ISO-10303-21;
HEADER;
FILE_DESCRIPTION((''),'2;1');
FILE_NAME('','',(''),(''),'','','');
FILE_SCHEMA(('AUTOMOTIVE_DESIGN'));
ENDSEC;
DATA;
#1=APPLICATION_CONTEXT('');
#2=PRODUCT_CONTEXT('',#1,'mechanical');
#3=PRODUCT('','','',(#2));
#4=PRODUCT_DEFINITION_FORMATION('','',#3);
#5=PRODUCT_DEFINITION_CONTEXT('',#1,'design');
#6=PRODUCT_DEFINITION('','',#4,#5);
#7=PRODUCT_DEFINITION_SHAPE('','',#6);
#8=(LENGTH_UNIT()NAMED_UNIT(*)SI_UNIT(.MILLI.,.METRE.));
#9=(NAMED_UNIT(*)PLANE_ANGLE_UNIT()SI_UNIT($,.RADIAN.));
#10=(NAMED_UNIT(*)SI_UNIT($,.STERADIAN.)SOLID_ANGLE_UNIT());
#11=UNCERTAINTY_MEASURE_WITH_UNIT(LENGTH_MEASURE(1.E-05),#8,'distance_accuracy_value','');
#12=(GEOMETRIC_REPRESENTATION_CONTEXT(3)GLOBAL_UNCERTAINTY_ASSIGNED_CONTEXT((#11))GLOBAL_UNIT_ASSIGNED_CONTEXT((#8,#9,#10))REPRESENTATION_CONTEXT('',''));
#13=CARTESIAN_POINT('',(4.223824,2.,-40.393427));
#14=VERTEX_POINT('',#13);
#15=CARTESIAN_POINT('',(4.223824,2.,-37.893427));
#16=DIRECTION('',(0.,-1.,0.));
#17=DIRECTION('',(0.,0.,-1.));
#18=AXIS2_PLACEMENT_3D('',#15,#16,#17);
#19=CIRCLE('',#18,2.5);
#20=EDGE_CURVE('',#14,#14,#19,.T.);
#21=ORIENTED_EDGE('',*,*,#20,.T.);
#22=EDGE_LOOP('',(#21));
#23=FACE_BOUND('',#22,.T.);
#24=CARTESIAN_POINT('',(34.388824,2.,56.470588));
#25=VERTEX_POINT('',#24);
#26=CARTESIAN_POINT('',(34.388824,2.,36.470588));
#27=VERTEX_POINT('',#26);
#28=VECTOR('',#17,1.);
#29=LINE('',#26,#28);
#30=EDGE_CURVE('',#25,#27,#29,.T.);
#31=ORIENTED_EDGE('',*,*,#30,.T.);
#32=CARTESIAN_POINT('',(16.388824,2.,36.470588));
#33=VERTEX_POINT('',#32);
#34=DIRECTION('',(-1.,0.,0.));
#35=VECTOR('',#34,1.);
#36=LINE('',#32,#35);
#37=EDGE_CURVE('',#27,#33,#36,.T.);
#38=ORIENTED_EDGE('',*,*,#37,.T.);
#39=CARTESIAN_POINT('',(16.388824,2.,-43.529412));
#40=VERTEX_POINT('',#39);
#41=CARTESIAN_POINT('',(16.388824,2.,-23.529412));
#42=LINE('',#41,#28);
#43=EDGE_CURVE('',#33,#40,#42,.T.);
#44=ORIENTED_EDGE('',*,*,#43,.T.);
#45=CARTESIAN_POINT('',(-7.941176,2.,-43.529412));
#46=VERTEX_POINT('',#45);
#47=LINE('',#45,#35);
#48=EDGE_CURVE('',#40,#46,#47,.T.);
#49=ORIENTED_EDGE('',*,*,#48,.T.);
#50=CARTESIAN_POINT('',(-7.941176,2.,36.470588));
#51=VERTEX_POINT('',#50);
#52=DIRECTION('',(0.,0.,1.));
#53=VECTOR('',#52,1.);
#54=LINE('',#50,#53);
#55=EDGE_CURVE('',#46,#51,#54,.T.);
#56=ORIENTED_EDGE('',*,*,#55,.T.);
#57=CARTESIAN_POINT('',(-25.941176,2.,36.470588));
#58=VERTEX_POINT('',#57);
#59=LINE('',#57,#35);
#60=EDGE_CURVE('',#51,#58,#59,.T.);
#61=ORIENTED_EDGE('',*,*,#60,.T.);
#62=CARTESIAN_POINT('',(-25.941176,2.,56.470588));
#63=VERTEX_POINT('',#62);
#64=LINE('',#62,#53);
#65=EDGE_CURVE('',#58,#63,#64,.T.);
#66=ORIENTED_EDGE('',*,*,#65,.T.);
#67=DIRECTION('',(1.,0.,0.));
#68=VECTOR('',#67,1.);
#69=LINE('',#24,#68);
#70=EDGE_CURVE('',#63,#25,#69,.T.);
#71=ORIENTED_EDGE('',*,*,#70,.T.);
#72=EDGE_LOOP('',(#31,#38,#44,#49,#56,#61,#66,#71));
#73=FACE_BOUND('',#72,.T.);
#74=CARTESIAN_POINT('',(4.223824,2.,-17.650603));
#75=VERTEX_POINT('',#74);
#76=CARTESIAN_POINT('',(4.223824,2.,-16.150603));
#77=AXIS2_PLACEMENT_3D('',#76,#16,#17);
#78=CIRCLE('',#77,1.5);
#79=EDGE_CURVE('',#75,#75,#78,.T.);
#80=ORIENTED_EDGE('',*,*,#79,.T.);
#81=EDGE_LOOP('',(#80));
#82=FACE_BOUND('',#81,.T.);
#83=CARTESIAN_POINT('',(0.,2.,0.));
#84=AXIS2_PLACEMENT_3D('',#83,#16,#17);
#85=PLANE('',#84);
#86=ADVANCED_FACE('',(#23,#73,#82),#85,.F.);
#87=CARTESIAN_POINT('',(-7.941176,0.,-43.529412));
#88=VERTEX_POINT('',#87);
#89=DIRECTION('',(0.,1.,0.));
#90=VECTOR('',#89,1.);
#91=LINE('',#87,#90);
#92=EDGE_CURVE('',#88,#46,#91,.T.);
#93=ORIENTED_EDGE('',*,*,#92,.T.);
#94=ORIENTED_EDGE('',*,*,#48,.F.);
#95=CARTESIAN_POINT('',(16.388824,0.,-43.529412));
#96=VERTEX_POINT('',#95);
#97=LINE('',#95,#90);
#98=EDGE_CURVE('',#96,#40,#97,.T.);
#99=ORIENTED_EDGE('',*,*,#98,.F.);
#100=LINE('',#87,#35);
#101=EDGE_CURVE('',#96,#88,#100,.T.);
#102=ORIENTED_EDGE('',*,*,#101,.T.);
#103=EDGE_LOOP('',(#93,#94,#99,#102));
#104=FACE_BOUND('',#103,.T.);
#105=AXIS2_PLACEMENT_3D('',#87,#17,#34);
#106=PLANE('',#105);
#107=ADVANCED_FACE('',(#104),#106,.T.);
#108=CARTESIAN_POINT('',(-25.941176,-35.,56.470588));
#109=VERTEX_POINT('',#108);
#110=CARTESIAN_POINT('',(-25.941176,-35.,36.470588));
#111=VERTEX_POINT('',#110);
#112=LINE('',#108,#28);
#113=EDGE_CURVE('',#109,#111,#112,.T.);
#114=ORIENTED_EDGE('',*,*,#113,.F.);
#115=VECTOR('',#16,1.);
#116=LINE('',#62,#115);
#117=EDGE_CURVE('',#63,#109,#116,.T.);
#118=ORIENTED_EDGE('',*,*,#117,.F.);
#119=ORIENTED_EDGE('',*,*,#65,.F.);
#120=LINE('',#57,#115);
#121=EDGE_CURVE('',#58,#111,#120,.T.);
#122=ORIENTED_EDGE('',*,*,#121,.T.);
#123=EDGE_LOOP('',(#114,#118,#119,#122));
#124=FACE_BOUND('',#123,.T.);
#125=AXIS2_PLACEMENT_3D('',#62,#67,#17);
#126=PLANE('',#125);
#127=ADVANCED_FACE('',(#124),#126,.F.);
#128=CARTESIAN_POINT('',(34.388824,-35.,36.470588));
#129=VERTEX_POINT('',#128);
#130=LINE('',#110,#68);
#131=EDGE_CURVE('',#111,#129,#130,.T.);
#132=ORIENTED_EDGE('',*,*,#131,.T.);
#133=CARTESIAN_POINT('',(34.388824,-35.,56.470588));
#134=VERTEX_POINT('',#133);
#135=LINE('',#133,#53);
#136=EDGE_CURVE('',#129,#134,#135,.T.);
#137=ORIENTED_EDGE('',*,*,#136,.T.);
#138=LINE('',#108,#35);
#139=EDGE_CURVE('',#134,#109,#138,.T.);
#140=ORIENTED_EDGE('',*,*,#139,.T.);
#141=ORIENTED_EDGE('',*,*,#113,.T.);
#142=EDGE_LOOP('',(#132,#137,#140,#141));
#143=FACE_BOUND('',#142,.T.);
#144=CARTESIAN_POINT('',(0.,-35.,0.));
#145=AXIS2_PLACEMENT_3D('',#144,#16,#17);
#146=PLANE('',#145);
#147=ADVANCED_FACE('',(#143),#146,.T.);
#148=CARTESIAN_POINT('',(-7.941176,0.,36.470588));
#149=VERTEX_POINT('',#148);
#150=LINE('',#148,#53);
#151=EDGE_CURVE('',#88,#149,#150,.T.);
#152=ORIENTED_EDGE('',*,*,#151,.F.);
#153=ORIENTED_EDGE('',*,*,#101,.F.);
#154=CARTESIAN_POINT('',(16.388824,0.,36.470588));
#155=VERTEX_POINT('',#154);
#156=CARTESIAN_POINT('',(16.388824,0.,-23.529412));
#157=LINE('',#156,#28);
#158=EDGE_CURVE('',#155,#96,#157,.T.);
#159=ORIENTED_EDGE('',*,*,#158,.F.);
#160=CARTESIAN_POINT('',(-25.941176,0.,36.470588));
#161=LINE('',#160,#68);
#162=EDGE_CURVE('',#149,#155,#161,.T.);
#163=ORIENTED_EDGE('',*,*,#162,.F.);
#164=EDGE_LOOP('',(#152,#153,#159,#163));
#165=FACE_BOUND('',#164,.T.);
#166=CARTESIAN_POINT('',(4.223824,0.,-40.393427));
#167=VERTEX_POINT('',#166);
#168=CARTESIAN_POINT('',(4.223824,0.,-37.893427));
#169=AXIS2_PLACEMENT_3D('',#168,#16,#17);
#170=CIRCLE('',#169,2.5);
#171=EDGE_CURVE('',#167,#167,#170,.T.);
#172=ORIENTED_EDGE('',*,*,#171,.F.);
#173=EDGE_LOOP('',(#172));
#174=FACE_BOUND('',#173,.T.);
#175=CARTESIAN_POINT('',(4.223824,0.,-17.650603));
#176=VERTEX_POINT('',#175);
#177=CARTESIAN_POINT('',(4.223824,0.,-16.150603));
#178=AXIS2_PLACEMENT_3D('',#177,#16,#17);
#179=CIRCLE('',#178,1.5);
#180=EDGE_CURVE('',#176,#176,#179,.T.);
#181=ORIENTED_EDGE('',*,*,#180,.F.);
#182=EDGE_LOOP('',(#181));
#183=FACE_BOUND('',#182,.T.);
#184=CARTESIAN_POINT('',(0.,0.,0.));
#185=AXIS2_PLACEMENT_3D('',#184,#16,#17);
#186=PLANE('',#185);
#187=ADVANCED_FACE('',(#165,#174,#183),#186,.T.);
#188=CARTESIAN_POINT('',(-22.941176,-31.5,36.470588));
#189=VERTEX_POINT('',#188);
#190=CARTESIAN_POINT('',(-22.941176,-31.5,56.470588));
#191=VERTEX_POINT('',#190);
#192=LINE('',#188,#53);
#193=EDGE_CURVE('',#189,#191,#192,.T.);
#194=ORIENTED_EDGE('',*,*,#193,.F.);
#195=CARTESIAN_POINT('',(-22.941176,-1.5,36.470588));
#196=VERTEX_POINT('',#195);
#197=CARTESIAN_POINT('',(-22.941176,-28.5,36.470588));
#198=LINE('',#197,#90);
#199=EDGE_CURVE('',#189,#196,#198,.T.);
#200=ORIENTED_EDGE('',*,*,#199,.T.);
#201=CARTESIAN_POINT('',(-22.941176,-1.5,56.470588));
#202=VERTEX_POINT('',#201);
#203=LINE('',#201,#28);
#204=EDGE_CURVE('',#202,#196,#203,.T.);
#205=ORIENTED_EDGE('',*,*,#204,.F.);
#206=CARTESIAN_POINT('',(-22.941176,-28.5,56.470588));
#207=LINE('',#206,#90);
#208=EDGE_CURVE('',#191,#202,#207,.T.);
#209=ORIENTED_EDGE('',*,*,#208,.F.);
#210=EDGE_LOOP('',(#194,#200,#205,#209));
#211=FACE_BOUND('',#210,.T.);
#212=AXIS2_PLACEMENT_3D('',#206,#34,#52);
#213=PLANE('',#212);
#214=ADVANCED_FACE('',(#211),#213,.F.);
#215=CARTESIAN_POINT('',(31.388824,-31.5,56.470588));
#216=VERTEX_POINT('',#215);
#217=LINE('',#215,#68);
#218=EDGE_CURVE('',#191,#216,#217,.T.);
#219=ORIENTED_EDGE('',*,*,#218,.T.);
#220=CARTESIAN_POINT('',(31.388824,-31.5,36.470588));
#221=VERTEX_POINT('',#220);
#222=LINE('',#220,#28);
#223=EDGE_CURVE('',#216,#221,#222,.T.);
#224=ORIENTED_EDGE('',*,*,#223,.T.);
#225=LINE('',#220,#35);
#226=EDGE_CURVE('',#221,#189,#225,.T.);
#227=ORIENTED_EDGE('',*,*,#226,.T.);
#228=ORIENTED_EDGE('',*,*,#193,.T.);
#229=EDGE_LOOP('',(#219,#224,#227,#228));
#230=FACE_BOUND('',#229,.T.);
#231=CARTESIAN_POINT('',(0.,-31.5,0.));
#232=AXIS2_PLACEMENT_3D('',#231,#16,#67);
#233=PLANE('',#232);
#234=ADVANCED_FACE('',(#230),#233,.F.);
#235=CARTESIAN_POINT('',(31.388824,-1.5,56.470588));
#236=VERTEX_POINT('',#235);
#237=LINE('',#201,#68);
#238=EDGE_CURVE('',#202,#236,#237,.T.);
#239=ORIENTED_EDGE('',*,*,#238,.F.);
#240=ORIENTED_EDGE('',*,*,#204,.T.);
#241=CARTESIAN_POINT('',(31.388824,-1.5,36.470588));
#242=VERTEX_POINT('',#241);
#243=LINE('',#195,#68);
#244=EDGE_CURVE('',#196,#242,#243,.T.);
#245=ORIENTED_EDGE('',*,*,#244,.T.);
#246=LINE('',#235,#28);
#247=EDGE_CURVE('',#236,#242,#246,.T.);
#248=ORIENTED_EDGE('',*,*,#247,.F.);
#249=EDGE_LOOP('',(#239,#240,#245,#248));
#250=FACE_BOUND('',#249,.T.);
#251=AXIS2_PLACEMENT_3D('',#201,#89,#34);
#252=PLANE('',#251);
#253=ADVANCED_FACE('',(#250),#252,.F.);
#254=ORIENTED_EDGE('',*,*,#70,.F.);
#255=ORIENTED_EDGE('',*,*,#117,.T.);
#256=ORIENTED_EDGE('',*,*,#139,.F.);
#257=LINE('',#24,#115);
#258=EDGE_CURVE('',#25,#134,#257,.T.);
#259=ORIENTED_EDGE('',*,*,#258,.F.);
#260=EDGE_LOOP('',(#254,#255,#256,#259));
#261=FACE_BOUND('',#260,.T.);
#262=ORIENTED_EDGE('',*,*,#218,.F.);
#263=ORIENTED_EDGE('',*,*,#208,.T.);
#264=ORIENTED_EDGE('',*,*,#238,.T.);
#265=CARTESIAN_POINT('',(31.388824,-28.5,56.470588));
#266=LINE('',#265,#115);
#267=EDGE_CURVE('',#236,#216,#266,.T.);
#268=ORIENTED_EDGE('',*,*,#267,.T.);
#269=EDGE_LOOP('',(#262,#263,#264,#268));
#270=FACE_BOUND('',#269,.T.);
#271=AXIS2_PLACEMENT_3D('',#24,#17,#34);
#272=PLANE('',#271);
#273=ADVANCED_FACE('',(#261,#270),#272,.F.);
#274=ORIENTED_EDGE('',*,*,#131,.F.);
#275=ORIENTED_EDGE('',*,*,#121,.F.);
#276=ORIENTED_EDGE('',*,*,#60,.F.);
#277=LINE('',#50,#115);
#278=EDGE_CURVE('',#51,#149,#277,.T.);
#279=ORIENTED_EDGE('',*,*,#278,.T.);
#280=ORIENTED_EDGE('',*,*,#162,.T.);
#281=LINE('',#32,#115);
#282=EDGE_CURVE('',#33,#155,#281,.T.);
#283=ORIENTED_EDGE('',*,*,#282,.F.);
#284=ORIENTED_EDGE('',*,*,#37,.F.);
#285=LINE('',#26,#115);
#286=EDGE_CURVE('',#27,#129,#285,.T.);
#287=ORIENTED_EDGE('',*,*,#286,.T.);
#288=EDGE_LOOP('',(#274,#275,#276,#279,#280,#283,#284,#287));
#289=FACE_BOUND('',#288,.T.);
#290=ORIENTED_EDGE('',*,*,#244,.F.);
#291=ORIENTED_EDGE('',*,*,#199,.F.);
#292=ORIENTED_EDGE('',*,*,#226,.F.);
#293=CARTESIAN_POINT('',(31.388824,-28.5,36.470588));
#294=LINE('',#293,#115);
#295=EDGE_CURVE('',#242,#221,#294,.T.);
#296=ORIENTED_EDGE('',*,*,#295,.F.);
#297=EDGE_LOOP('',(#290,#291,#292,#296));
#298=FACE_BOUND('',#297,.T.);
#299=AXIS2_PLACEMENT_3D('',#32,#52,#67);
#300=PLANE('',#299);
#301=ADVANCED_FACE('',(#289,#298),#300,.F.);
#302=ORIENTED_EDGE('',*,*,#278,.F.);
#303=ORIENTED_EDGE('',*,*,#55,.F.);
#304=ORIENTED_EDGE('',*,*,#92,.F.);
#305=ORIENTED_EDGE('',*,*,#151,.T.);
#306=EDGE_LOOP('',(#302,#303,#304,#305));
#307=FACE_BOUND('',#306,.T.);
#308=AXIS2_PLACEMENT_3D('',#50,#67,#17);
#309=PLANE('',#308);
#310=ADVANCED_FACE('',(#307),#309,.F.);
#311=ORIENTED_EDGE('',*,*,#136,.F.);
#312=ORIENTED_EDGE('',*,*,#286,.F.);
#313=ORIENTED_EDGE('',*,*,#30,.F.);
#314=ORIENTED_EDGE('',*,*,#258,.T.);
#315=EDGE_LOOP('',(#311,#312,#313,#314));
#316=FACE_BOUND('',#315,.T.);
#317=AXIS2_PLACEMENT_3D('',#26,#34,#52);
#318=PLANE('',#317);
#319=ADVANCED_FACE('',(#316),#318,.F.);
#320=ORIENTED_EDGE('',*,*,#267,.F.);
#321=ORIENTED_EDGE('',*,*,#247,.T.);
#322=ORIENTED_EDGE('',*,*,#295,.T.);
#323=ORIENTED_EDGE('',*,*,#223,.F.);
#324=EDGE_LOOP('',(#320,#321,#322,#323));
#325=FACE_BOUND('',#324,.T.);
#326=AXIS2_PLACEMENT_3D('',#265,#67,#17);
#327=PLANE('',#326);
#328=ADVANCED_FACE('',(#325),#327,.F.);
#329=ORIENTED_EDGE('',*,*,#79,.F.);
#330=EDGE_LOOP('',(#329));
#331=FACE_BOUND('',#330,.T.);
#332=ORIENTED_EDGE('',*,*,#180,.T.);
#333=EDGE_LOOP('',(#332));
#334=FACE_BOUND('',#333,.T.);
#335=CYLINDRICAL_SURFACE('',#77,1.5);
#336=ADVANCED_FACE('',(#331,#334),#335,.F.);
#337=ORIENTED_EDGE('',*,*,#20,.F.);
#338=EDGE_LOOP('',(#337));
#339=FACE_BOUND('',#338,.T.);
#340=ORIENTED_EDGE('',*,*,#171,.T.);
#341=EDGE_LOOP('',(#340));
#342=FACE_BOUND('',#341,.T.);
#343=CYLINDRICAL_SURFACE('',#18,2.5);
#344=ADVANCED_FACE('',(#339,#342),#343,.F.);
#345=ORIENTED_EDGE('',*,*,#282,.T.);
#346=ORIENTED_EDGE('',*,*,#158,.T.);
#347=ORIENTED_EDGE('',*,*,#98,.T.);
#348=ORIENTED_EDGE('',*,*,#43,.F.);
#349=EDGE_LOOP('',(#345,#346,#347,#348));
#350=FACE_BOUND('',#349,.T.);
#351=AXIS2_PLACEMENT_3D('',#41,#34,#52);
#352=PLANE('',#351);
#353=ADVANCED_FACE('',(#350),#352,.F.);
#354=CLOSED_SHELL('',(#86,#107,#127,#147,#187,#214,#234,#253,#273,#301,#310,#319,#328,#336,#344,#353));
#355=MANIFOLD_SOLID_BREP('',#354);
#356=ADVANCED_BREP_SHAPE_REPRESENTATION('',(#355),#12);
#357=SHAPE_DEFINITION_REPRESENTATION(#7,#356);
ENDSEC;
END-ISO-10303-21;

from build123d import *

# Parameters (mm, degrees)
BOSS_EXTRUDE1_DEPTH = 2
SKETCH3_W           = 60.33
SKETCH3_H           = 20
BOSS_EXTRUDE2_DEPTH = 30
SKETCH4_W           = 54.33
SKETCH4_H           = 27
CUT_EXTRUDE1_DEPTH  = 20
SKETCH5_R           = 1.5
CUT_EXTRUDE2_DEPTH  = 2
SKETCH6_W           = 60.33
SKETCH6_H           = 20
BOSS_EXTRUDE3_DEPTH = 5
SKETCH8_W           = 54.33
SKETCH8_H           = 20
CUT_EXTRUDE3_DEPTH  = 3
SKETCH9_W           = 24.33
SKETCH9_H           = 20
BOSS_EXTRUDE4_DEPTH = 2
SKETCH10_R          = 2.5
CUT_EXTRUDE4_DEPTH  = 2


with BuildPart() as part:
    # Sketch2 → Boss-Extrude1 (new body)
    with BuildSketch(Plane(origin=(0, 0, 0), x_dir=(1, 0, 0), z_dir=(0, 1, 0))):
        Polygon((-7.941176471, 23.529411765), (16.388823529, 23.529411765), (16.388823529, -36.470588235), (34.388823529, -36.470588235), (34.388823529, -56.470588235), (-25.941176471, -56.470588235), (-25.941176471, -36.470588235), (-7.941176471, -36.470588235), align=None)
    extrude(amount=BOSS_EXTRUDE1_DEPTH)

    # Sketch3 → Boss-Extrude2 (add)
    with BuildSketch(Plane(origin=(0, 0, 0), x_dir=(-1, 0, 0), z_dir=(0, -1, 0))):
        with Locations((-4.223823529, -46.470588235)):
            Rectangle(SKETCH3_W, SKETCH3_H)
    extrude(amount=BOSS_EXTRUDE2_DEPTH)

    # Sketch4 → Cut-Extrude1 (cut)
    with BuildSketch(Plane(origin=(0, 0, 36.470588235), x_dir=(-1, 0, 0), z_dir=(0, 0, -1))):
        with Locations((-4.223823529, -15)):
            Rectangle(SKETCH4_W, SKETCH4_H)
    extrude(amount=-CUT_EXTRUDE1_DEPTH, mode=Mode.SUBTRACT)

    # Sketch5 → Cut-Extrude2 (cut)
    with BuildSketch(Plane(origin=(0, 0, 0), x_dir=(-1, 0, 0), z_dir=(0, -1, 0))):
        with Locations((-4.223823529, 16.1506031)):
            Circle(SKETCH5_R)
    extrude(amount=-CUT_EXTRUDE2_DEPTH, mode=Mode.SUBTRACT)

    # Sketch6 → Boss-Extrude3 (add)
    with BuildSketch(Plane.XZ.offset(30)):
        with Locations((4.223823529, 46.470588235)):
            Rectangle(SKETCH6_W, SKETCH6_H)
    extrude(amount=BOSS_EXTRUDE3_DEPTH)

    # Sketch8 → Cut-Extrude3 (cut)
    with BuildSketch(Plane(origin=(0, -28.5, 0), x_dir=(1, 0, 0), z_dir=(0, 1, 0))):
        with Locations((4.223823529, -46.470588235)):
            Rectangle(SKETCH8_W, SKETCH8_H)
    extrude(amount=-CUT_EXTRUDE3_DEPTH, mode=Mode.SUBTRACT)

    # Sketch9 → Boss-Extrude4 (add)
    with BuildSketch(Plane(origin=(0, 2, 0), x_dir=(1, 0, 0), z_dir=(0, 1, 0))):
        with Locations((4.223823529, 33.529411765)):
            Rectangle(SKETCH9_W, SKETCH9_H)
    extrude(amount=-BOSS_EXTRUDE4_DEPTH)

    # Sketch10 → Cut-Extrude4 (cut)
    with BuildSketch(Plane(origin=(0, 0, 0), x_dir=(-1, 0, 0), z_dir=(0, -1, 0))):
        with Locations((-4.223823529, 37.893427201)):
            Circle(SKETCH10_R)
    extrude(amount=-CUT_EXTRUDE4_DEPTH, mode=Mode.SUBTRACT)


solid = part.part
